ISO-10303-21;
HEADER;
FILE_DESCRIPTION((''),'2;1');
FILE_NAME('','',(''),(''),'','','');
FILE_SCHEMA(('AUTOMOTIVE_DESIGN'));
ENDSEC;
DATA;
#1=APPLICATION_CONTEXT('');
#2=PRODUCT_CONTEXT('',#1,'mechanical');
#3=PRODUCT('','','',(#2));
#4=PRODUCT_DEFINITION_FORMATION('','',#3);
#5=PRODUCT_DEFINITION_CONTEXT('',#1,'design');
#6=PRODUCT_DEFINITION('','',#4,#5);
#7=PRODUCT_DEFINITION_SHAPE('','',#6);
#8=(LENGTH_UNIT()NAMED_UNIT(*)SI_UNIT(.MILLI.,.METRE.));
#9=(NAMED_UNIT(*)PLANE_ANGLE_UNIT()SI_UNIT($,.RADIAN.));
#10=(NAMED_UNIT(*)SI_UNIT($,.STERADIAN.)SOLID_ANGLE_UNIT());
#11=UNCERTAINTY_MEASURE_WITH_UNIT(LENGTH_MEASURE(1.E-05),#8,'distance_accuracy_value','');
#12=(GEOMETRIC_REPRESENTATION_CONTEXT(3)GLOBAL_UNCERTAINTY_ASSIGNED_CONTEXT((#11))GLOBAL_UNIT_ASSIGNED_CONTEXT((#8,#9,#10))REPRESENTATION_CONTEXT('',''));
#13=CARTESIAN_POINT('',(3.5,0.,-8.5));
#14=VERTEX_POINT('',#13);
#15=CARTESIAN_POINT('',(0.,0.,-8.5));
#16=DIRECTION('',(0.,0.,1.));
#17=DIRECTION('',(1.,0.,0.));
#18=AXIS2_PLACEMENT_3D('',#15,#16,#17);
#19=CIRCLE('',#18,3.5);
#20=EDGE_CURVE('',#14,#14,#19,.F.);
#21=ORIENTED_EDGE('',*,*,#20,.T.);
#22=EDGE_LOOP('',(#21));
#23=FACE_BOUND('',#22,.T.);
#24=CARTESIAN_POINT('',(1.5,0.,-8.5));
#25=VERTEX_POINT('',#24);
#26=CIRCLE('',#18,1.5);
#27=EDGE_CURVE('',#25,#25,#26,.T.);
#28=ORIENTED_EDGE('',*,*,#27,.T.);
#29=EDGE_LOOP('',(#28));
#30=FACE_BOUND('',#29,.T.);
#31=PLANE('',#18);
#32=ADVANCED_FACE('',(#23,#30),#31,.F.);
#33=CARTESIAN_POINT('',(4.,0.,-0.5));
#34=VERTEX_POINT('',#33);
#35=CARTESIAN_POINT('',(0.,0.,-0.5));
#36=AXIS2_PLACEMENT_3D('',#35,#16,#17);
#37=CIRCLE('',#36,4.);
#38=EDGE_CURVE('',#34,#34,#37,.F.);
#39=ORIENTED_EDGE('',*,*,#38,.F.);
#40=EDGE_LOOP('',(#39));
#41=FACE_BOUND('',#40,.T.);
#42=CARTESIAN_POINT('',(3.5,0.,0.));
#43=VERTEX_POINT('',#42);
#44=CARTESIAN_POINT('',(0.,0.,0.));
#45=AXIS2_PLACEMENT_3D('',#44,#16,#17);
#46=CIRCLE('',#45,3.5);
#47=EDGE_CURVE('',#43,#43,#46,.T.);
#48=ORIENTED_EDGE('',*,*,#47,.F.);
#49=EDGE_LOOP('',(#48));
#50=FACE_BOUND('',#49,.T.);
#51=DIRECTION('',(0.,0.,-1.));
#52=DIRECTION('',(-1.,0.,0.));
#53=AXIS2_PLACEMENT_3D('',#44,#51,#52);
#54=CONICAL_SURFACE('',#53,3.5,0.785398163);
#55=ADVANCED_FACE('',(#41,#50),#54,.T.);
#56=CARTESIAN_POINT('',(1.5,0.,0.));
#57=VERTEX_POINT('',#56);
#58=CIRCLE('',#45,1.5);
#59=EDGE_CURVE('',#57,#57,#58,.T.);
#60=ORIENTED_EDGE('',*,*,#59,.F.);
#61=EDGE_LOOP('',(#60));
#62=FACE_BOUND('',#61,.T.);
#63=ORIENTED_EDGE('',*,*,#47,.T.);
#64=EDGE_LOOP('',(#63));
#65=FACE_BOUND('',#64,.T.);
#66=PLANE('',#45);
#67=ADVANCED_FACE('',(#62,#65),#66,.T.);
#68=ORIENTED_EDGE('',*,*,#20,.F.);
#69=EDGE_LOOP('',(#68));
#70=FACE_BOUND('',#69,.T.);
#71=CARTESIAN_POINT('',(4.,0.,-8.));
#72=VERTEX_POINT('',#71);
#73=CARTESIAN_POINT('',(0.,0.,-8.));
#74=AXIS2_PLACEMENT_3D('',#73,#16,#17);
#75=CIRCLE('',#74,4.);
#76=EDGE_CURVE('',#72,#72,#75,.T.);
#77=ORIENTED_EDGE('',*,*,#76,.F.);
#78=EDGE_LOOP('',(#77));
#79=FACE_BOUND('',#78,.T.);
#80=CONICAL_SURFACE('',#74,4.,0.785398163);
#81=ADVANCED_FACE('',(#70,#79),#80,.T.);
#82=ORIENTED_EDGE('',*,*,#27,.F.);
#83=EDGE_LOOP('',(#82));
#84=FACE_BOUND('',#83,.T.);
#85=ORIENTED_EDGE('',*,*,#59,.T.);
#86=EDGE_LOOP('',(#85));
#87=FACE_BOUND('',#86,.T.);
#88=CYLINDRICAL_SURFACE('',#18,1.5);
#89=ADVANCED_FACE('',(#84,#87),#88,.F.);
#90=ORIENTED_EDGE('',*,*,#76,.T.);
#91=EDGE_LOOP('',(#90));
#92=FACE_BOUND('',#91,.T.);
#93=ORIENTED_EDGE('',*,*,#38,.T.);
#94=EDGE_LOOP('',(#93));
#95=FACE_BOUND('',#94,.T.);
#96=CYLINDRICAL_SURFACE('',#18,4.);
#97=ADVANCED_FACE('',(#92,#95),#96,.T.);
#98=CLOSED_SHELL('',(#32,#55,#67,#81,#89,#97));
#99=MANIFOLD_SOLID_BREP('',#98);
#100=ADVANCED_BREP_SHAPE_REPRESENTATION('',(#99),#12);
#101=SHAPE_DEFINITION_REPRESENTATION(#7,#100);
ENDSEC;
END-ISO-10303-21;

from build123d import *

# Parameters (mm, degrees)
SKETCH1_R           = 4
SKETCH1_R_2         = 1.5
BOSS_EXTRUDE1_DEPTH = 8.5
CHAMFER1_SIZE       = 0.5


with BuildPart() as part:
    # Sketch1 → Boss-Extrude1 (new body)
    with BuildSketch(Plane.XY):
        Circle(SKETCH1_R)
        Circle(SKETCH1_R_2, mode=Mode.SUBTRACT)
    extrude(amount=-BOSS_EXTRUDE1_DEPTH)

    # Chamfer1
    chamfer1_edges = [part.edges().sort_by_distance(p)[0] for p in [
        (-4, 0, 0),
        (-4, 0, -8.5),
    ]]
    chamfer(chamfer1_edges, length=CHAMFER1_SIZE)


solid = part.part
